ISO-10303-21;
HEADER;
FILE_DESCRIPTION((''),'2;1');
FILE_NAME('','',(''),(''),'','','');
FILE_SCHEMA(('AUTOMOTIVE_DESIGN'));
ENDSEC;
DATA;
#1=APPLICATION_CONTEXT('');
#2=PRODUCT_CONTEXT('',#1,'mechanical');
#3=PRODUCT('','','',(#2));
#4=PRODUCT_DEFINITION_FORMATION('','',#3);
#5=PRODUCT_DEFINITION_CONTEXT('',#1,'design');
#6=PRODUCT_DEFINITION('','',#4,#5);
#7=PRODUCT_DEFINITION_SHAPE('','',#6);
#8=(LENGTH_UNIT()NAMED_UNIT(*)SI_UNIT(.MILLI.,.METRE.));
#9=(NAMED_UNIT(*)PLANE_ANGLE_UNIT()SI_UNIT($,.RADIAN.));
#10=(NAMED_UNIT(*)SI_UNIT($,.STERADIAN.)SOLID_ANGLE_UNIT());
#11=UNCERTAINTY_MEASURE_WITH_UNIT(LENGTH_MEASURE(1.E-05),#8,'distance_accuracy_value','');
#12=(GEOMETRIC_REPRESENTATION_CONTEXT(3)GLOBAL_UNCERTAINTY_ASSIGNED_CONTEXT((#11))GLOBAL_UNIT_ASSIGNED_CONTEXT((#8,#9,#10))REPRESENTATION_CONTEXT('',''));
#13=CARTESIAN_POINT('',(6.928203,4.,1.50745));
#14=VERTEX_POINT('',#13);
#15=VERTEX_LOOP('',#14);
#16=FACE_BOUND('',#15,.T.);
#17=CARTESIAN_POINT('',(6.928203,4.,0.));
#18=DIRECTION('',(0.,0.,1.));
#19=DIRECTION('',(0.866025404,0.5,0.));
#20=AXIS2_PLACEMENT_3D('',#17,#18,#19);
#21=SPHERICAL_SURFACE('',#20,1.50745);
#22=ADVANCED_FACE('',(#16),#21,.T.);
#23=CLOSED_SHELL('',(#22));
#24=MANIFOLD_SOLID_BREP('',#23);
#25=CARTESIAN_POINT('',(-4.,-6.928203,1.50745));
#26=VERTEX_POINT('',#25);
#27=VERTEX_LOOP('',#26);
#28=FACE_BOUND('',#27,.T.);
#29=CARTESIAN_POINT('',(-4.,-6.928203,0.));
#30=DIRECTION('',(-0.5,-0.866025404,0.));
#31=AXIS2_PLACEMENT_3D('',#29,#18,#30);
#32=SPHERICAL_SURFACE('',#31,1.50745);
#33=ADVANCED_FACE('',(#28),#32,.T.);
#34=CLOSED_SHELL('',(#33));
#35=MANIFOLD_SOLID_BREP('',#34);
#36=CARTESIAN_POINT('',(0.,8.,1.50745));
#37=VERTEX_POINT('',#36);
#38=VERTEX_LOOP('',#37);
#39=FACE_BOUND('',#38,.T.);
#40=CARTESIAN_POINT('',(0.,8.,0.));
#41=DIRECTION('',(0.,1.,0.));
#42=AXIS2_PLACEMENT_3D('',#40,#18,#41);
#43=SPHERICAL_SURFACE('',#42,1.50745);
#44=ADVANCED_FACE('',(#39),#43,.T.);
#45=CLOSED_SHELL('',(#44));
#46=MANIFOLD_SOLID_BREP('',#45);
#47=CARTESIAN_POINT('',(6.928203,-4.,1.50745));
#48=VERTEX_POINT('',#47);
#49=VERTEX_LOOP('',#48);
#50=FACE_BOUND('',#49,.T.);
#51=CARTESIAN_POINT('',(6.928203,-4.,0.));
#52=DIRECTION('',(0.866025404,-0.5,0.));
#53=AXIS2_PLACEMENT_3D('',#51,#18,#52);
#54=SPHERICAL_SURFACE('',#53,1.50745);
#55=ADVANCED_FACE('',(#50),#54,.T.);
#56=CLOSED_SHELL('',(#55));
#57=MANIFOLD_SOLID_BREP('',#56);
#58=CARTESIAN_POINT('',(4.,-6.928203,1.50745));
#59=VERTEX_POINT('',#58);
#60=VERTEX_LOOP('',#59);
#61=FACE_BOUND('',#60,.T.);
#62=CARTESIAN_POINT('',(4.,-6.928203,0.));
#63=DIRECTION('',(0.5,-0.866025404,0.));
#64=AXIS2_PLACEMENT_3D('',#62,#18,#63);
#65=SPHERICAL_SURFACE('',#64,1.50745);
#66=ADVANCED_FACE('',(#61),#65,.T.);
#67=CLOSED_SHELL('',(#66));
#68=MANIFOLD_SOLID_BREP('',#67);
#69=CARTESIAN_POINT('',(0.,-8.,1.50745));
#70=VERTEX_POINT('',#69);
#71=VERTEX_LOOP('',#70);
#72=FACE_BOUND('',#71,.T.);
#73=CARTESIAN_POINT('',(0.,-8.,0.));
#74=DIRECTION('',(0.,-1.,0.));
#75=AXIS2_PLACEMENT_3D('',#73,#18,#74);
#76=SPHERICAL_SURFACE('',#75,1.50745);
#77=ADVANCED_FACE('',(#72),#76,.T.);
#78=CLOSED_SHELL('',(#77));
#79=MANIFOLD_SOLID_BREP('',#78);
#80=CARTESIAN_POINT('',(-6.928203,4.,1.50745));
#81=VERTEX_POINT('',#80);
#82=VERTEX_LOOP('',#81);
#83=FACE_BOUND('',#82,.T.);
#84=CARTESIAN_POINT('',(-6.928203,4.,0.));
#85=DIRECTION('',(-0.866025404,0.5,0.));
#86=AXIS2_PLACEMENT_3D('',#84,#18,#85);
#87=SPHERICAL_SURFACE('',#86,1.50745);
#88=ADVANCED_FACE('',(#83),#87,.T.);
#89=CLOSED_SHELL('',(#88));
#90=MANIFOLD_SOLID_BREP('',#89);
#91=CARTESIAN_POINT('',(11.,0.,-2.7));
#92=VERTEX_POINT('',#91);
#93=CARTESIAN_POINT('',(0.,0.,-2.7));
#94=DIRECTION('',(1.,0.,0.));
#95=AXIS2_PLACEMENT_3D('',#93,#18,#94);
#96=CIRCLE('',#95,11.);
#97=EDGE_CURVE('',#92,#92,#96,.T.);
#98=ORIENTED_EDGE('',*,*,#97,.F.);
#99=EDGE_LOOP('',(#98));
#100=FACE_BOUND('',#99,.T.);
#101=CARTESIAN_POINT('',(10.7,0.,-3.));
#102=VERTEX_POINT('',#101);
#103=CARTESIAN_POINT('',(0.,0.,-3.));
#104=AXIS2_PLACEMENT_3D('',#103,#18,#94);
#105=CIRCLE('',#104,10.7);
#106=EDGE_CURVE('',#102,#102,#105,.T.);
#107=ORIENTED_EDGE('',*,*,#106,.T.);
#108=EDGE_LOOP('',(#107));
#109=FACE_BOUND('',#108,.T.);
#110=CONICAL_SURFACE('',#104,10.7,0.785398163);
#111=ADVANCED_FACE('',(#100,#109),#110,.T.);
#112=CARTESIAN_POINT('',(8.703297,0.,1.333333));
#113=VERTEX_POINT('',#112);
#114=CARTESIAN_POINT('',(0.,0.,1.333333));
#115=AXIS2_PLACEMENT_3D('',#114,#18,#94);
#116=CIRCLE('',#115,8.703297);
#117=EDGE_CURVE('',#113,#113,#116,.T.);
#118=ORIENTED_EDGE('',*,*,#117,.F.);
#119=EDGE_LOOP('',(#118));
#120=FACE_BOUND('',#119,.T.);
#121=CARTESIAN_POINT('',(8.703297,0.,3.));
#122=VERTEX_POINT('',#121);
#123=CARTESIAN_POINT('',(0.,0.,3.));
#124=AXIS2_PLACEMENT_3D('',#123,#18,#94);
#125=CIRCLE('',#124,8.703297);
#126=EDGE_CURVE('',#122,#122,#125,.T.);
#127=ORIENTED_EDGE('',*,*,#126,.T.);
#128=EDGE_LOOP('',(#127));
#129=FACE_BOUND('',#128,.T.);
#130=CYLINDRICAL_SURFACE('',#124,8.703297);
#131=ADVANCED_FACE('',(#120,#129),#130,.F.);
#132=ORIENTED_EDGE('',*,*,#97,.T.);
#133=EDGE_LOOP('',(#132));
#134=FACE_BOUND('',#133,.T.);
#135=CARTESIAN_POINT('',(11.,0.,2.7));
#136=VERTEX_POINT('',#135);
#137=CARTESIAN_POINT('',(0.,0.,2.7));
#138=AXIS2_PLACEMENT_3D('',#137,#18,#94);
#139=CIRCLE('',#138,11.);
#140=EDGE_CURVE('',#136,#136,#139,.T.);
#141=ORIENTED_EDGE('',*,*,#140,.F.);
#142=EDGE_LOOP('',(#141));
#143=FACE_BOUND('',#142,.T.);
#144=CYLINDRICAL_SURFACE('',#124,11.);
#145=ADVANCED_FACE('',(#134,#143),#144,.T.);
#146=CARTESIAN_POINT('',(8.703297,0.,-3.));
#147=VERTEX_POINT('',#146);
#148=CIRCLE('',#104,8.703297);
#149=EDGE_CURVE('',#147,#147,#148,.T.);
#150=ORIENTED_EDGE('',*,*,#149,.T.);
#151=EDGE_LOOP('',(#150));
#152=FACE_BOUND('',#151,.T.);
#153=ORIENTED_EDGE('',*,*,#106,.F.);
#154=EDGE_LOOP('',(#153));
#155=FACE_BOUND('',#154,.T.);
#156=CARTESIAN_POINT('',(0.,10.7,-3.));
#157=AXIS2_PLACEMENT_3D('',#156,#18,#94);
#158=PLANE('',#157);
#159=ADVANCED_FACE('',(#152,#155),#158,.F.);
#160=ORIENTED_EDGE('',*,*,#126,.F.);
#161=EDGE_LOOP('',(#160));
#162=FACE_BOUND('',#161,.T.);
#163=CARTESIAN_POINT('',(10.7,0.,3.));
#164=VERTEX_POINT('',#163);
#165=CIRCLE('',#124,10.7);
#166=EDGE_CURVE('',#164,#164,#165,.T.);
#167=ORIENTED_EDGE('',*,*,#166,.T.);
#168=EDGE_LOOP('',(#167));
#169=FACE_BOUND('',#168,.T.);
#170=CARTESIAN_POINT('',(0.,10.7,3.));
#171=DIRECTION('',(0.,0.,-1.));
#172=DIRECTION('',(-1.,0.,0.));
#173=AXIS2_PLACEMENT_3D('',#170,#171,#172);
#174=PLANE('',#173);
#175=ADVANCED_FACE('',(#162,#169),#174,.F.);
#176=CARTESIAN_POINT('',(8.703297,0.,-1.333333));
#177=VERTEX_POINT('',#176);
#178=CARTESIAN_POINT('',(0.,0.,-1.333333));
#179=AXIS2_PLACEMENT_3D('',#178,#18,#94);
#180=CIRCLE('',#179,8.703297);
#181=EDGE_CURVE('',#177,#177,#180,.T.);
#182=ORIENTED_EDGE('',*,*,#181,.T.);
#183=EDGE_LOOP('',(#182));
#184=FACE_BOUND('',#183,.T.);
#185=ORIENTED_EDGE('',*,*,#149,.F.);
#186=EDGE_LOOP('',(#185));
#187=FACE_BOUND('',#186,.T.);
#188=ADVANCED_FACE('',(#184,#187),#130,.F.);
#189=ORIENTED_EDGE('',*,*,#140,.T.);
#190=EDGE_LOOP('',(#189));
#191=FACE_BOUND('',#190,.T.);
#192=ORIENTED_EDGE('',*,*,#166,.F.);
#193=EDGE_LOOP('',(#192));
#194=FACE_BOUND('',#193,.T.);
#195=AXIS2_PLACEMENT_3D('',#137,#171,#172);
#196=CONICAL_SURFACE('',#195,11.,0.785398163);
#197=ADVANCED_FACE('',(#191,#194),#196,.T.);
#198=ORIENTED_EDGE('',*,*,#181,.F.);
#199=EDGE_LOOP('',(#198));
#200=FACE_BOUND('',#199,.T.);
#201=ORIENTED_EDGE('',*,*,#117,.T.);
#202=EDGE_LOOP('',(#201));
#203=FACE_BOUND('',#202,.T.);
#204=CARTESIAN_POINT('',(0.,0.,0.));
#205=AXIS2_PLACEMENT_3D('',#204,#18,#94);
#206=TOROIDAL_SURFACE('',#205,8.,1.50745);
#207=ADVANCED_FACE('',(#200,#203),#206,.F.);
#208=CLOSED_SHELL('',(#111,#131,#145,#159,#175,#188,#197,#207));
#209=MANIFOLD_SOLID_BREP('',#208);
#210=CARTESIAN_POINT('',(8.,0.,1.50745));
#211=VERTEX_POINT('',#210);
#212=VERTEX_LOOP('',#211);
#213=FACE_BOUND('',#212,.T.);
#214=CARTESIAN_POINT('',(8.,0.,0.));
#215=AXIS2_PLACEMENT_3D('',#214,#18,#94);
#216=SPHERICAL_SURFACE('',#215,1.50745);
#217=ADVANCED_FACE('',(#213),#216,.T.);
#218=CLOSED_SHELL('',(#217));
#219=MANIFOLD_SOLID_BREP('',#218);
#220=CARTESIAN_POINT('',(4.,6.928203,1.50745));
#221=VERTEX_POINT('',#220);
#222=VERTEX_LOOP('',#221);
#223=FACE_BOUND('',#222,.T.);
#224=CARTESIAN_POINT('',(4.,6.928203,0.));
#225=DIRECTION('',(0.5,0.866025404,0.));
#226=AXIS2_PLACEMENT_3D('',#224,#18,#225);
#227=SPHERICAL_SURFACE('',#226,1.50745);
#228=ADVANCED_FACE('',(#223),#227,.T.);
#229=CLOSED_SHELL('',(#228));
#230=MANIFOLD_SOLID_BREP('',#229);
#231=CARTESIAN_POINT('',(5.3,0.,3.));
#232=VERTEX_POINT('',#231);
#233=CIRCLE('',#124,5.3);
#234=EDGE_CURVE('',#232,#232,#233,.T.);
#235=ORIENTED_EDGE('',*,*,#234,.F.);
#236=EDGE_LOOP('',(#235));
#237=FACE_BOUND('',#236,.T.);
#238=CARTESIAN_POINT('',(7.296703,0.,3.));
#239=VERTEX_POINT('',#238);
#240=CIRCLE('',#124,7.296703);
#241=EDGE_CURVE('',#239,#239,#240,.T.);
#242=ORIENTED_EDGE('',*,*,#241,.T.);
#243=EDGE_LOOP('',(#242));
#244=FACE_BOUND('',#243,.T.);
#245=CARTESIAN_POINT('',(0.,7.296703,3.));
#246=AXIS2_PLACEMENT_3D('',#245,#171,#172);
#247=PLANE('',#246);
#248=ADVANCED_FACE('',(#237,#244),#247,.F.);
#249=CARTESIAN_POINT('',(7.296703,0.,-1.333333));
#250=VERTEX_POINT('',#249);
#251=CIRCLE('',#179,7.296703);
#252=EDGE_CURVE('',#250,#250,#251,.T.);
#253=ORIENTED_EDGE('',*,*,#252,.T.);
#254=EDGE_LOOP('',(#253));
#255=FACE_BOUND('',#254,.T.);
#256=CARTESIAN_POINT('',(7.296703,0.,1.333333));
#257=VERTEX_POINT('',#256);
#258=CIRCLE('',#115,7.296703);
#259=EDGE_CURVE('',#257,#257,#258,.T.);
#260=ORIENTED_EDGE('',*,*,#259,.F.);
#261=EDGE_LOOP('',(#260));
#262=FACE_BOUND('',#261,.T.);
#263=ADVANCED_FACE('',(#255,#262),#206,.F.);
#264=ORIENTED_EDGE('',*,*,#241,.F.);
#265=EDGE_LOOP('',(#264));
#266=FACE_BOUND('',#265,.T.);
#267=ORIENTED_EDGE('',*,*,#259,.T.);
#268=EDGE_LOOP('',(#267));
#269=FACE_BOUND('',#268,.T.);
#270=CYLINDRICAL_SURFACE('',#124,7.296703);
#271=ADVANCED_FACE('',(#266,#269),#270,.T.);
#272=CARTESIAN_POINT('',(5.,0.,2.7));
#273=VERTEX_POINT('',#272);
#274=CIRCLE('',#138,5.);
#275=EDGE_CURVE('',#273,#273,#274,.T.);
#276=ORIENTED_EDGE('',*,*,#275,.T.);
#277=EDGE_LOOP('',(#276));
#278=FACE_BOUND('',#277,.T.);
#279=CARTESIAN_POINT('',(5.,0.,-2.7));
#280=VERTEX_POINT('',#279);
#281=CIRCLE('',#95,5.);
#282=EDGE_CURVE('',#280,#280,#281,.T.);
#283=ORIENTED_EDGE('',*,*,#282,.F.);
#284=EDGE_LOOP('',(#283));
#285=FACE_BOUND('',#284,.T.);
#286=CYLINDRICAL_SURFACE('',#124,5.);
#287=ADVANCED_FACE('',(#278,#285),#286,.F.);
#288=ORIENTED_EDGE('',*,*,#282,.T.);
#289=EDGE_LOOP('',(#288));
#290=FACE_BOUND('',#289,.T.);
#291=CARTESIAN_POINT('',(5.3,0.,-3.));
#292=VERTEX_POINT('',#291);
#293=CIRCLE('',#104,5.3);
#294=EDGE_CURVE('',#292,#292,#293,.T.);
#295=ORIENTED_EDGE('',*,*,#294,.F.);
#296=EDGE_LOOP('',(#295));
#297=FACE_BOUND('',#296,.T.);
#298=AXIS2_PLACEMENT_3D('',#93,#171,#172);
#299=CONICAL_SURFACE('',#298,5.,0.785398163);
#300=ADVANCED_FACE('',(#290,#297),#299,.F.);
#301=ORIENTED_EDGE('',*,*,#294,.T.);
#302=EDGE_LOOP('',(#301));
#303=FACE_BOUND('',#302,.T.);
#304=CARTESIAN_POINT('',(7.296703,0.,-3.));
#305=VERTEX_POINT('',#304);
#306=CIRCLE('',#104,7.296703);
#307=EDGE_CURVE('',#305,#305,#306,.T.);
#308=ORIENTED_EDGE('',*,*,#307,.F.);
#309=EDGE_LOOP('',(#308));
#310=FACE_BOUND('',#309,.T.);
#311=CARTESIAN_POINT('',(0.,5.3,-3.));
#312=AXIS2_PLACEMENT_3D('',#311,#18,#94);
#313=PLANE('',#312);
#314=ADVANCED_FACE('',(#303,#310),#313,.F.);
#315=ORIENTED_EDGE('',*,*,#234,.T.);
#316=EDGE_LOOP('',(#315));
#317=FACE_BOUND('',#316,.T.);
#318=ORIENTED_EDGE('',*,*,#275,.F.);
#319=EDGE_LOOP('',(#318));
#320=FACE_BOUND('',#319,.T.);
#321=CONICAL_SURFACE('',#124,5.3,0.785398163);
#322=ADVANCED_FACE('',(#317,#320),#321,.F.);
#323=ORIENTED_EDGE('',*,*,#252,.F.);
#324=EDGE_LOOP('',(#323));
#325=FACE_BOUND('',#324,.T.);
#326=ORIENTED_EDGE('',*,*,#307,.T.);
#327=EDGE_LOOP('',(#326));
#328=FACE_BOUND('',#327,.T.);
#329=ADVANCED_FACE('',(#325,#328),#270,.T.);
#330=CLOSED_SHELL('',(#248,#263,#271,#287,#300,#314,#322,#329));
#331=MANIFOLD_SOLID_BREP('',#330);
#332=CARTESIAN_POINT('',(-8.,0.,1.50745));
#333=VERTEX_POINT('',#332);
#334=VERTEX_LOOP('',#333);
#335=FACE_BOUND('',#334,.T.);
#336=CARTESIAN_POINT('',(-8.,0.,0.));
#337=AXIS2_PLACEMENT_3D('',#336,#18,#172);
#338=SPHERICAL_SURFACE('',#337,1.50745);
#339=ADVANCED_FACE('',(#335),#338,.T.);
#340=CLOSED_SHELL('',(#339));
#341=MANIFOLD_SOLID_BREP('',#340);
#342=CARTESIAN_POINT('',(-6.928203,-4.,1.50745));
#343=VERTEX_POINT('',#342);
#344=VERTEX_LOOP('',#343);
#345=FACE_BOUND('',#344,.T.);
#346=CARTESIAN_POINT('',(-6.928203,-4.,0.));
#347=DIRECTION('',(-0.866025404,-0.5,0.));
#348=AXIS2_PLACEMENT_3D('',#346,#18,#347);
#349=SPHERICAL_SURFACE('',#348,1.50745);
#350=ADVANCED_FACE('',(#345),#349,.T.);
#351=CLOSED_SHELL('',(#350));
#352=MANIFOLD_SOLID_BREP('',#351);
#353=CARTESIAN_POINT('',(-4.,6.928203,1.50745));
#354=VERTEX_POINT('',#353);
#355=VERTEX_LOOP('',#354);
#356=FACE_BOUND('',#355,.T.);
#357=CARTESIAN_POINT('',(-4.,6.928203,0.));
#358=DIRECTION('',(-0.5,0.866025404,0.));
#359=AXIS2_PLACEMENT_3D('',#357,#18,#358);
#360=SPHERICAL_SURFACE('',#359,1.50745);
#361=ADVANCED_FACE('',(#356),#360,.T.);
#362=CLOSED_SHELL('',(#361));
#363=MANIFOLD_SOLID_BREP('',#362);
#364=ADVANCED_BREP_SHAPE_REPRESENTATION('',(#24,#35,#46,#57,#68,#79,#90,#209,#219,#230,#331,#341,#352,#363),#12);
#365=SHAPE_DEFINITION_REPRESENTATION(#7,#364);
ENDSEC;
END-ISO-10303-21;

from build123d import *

# Parameters (mm, degrees)
CIRPATTERN1_COUNT = 12


with BuildPart() as part:
    # Sketch1 → Revolve1 (revolve)
    with BuildSketch(Plane(origin=(0, 0, 0), x_dir=(0, 0, -1), z_dir=(1, 0, 0))):
        with BuildLine():
            Line((2.7, 11), (-2.7, 11))
            Line((-2.7, 11), (-3, 10.7))
            Line((-3, 10.7), (-3, 8.703296703))
            Line((-3, 8.703296703), (-1.333333333, 8.703296703))
            ThreePointArc((-1.333333333, 8.703296703), (0, 9.507449512), (1.333333333, 8.703296703))
            Line((1.333333333, 8.703296703), (3, 8.703296703))
            Line((3, 8.703296703), (3, 10.7))
            Line((3, 10.7), (2.7, 11))
        make_face()
    revolve(axis=Axis((0, 0, 3), (0, 0, -1)))


with BuildPart() as body_2:
    # Sketch3 → Revolve3 (revolve)
    with BuildSketch(Plane(origin=(0, 0, 0), x_dir=(0, 0, -1), z_dir=(1, 0, 0))):
        with BuildLine():
            Line((-3, 7.296703297), (-1.333333333, 7.296703297))
            ThreePointArc((-1.333333333, 7.296703297), (0, 6.492550488), (1.333333333, 7.296703297))
            Line((1.333333333, 7.296703297), (3, 7.296703297))
            Line((3, 7.296703297), (3, 5.3))
            Line((3, 5.3), (2.7, 5))
            Line((2.7, 5), (-2.7, 5))
            Line((-2.7, 5), (-3, 5.3))
            Line((-3, 5.3), (-3, 7.296703297))
        make_face()
    revolve(axis=Axis((0, 0, 3), (0, 0, -1)))


with BuildPart() as body_3:
    # Sketch4 → Revolve4 (revolve)
    with BuildSketch(Plane(origin=(0, 0, 0), x_dir=(0, 0, -1), z_dir=(1, 0, 0))):
        with BuildLine():
            Line((-1.507449512, 8), (1.507449512, 8))
            ThreePointArc((1.507449512, 8), (0, 9.507449512), (-1.507449512, 8))
        make_face()
    revolve(axis=Axis((0, 8, 1.507449512), (0, 0, -1)))


with BuildPart() as cirpattern1_1:
    # CirPattern1: pattern copy
    add(body_3.part.rotate(Axis((0, 0, -3), (0, 0, 1)), 1 * 360 / CIRPATTERN1_COUNT))


with BuildPart() as cirpattern1_2:
    # CirPattern1: pattern copy
    add(body_3.part.rotate(Axis((0, 0, -3), (0, 0, 1)), 2 * 360 / CIRPATTERN1_COUNT))


with BuildPart() as cirpattern1_3:
    # CirPattern1: pattern copy
    add(body_3.part.rotate(Axis((0, 0, -3), (0, 0, 1)), 3 * 360 / CIRPATTERN1_COUNT))


with BuildPart() as cirpattern1_4:
    # CirPattern1: pattern copy
    add(body_3.part.rotate(Axis((0, 0, -3), (0, 0, 1)), 4 * 360 / CIRPATTERN1_COUNT))


with BuildPart() as cirpattern1_5:
    # CirPattern1: pattern copy
    add(body_3.part.rotate(Axis((0, 0, -3), (0, 0, 1)), 5 * 360 / CIRPATTERN1_COUNT))


with BuildPart() as cirpattern1_6:
    # CirPattern1: pattern copy
    add(body_3.part.rotate(Axis((0, 0, -3), (0, 0, 1)), 6 * 360 / CIRPATTERN1_COUNT))


with BuildPart() as cirpattern1_7:
    # CirPattern1: pattern copy
    add(body_3.part.rotate(Axis((0, 0, -3), (0, 0, 1)), 7 * 360 / CIRPATTERN1_COUNT))


with BuildPart() as cirpattern1_8:
    # CirPattern1: pattern copy
    add(body_3.part.rotate(Axis((0, 0, -3), (0, 0, 1)), 8 * 360 / CIRPATTERN1_COUNT))


with BuildPart() as cirpattern1_9:
    # CirPattern1: pattern copy
    add(body_3.part.rotate(Axis((0, 0, -3), (0, 0, 1)), 9 * 360 / CIRPATTERN1_COUNT))


with BuildPart() as cirpattern1_10:
    # CirPattern1: pattern copy
    add(body_3.part.rotate(Axis((0, 0, -3), (0, 0, 1)), 10 * 360 / CIRPATTERN1_COUNT))


with BuildPart() as cirpattern1_11:
    # CirPattern1: pattern copy
    add(body_3.part.rotate(Axis((0, 0, -3), (0, 0, 1)), 11 * 360 / CIRPATTERN1_COUNT))


solid = Compound([part.part, body_2.part, body_3.part, cirpattern1_1.part, cirpattern1_2.part, cirpattern1_3.part, cirpattern1_4.part, cirpattern1_5.part, cirpattern1_6.part, cirpattern1_7.part, cirpattern1_8.part, cirpattern1_9.part, cirpattern1_10.part, cirpattern1_11.part])
